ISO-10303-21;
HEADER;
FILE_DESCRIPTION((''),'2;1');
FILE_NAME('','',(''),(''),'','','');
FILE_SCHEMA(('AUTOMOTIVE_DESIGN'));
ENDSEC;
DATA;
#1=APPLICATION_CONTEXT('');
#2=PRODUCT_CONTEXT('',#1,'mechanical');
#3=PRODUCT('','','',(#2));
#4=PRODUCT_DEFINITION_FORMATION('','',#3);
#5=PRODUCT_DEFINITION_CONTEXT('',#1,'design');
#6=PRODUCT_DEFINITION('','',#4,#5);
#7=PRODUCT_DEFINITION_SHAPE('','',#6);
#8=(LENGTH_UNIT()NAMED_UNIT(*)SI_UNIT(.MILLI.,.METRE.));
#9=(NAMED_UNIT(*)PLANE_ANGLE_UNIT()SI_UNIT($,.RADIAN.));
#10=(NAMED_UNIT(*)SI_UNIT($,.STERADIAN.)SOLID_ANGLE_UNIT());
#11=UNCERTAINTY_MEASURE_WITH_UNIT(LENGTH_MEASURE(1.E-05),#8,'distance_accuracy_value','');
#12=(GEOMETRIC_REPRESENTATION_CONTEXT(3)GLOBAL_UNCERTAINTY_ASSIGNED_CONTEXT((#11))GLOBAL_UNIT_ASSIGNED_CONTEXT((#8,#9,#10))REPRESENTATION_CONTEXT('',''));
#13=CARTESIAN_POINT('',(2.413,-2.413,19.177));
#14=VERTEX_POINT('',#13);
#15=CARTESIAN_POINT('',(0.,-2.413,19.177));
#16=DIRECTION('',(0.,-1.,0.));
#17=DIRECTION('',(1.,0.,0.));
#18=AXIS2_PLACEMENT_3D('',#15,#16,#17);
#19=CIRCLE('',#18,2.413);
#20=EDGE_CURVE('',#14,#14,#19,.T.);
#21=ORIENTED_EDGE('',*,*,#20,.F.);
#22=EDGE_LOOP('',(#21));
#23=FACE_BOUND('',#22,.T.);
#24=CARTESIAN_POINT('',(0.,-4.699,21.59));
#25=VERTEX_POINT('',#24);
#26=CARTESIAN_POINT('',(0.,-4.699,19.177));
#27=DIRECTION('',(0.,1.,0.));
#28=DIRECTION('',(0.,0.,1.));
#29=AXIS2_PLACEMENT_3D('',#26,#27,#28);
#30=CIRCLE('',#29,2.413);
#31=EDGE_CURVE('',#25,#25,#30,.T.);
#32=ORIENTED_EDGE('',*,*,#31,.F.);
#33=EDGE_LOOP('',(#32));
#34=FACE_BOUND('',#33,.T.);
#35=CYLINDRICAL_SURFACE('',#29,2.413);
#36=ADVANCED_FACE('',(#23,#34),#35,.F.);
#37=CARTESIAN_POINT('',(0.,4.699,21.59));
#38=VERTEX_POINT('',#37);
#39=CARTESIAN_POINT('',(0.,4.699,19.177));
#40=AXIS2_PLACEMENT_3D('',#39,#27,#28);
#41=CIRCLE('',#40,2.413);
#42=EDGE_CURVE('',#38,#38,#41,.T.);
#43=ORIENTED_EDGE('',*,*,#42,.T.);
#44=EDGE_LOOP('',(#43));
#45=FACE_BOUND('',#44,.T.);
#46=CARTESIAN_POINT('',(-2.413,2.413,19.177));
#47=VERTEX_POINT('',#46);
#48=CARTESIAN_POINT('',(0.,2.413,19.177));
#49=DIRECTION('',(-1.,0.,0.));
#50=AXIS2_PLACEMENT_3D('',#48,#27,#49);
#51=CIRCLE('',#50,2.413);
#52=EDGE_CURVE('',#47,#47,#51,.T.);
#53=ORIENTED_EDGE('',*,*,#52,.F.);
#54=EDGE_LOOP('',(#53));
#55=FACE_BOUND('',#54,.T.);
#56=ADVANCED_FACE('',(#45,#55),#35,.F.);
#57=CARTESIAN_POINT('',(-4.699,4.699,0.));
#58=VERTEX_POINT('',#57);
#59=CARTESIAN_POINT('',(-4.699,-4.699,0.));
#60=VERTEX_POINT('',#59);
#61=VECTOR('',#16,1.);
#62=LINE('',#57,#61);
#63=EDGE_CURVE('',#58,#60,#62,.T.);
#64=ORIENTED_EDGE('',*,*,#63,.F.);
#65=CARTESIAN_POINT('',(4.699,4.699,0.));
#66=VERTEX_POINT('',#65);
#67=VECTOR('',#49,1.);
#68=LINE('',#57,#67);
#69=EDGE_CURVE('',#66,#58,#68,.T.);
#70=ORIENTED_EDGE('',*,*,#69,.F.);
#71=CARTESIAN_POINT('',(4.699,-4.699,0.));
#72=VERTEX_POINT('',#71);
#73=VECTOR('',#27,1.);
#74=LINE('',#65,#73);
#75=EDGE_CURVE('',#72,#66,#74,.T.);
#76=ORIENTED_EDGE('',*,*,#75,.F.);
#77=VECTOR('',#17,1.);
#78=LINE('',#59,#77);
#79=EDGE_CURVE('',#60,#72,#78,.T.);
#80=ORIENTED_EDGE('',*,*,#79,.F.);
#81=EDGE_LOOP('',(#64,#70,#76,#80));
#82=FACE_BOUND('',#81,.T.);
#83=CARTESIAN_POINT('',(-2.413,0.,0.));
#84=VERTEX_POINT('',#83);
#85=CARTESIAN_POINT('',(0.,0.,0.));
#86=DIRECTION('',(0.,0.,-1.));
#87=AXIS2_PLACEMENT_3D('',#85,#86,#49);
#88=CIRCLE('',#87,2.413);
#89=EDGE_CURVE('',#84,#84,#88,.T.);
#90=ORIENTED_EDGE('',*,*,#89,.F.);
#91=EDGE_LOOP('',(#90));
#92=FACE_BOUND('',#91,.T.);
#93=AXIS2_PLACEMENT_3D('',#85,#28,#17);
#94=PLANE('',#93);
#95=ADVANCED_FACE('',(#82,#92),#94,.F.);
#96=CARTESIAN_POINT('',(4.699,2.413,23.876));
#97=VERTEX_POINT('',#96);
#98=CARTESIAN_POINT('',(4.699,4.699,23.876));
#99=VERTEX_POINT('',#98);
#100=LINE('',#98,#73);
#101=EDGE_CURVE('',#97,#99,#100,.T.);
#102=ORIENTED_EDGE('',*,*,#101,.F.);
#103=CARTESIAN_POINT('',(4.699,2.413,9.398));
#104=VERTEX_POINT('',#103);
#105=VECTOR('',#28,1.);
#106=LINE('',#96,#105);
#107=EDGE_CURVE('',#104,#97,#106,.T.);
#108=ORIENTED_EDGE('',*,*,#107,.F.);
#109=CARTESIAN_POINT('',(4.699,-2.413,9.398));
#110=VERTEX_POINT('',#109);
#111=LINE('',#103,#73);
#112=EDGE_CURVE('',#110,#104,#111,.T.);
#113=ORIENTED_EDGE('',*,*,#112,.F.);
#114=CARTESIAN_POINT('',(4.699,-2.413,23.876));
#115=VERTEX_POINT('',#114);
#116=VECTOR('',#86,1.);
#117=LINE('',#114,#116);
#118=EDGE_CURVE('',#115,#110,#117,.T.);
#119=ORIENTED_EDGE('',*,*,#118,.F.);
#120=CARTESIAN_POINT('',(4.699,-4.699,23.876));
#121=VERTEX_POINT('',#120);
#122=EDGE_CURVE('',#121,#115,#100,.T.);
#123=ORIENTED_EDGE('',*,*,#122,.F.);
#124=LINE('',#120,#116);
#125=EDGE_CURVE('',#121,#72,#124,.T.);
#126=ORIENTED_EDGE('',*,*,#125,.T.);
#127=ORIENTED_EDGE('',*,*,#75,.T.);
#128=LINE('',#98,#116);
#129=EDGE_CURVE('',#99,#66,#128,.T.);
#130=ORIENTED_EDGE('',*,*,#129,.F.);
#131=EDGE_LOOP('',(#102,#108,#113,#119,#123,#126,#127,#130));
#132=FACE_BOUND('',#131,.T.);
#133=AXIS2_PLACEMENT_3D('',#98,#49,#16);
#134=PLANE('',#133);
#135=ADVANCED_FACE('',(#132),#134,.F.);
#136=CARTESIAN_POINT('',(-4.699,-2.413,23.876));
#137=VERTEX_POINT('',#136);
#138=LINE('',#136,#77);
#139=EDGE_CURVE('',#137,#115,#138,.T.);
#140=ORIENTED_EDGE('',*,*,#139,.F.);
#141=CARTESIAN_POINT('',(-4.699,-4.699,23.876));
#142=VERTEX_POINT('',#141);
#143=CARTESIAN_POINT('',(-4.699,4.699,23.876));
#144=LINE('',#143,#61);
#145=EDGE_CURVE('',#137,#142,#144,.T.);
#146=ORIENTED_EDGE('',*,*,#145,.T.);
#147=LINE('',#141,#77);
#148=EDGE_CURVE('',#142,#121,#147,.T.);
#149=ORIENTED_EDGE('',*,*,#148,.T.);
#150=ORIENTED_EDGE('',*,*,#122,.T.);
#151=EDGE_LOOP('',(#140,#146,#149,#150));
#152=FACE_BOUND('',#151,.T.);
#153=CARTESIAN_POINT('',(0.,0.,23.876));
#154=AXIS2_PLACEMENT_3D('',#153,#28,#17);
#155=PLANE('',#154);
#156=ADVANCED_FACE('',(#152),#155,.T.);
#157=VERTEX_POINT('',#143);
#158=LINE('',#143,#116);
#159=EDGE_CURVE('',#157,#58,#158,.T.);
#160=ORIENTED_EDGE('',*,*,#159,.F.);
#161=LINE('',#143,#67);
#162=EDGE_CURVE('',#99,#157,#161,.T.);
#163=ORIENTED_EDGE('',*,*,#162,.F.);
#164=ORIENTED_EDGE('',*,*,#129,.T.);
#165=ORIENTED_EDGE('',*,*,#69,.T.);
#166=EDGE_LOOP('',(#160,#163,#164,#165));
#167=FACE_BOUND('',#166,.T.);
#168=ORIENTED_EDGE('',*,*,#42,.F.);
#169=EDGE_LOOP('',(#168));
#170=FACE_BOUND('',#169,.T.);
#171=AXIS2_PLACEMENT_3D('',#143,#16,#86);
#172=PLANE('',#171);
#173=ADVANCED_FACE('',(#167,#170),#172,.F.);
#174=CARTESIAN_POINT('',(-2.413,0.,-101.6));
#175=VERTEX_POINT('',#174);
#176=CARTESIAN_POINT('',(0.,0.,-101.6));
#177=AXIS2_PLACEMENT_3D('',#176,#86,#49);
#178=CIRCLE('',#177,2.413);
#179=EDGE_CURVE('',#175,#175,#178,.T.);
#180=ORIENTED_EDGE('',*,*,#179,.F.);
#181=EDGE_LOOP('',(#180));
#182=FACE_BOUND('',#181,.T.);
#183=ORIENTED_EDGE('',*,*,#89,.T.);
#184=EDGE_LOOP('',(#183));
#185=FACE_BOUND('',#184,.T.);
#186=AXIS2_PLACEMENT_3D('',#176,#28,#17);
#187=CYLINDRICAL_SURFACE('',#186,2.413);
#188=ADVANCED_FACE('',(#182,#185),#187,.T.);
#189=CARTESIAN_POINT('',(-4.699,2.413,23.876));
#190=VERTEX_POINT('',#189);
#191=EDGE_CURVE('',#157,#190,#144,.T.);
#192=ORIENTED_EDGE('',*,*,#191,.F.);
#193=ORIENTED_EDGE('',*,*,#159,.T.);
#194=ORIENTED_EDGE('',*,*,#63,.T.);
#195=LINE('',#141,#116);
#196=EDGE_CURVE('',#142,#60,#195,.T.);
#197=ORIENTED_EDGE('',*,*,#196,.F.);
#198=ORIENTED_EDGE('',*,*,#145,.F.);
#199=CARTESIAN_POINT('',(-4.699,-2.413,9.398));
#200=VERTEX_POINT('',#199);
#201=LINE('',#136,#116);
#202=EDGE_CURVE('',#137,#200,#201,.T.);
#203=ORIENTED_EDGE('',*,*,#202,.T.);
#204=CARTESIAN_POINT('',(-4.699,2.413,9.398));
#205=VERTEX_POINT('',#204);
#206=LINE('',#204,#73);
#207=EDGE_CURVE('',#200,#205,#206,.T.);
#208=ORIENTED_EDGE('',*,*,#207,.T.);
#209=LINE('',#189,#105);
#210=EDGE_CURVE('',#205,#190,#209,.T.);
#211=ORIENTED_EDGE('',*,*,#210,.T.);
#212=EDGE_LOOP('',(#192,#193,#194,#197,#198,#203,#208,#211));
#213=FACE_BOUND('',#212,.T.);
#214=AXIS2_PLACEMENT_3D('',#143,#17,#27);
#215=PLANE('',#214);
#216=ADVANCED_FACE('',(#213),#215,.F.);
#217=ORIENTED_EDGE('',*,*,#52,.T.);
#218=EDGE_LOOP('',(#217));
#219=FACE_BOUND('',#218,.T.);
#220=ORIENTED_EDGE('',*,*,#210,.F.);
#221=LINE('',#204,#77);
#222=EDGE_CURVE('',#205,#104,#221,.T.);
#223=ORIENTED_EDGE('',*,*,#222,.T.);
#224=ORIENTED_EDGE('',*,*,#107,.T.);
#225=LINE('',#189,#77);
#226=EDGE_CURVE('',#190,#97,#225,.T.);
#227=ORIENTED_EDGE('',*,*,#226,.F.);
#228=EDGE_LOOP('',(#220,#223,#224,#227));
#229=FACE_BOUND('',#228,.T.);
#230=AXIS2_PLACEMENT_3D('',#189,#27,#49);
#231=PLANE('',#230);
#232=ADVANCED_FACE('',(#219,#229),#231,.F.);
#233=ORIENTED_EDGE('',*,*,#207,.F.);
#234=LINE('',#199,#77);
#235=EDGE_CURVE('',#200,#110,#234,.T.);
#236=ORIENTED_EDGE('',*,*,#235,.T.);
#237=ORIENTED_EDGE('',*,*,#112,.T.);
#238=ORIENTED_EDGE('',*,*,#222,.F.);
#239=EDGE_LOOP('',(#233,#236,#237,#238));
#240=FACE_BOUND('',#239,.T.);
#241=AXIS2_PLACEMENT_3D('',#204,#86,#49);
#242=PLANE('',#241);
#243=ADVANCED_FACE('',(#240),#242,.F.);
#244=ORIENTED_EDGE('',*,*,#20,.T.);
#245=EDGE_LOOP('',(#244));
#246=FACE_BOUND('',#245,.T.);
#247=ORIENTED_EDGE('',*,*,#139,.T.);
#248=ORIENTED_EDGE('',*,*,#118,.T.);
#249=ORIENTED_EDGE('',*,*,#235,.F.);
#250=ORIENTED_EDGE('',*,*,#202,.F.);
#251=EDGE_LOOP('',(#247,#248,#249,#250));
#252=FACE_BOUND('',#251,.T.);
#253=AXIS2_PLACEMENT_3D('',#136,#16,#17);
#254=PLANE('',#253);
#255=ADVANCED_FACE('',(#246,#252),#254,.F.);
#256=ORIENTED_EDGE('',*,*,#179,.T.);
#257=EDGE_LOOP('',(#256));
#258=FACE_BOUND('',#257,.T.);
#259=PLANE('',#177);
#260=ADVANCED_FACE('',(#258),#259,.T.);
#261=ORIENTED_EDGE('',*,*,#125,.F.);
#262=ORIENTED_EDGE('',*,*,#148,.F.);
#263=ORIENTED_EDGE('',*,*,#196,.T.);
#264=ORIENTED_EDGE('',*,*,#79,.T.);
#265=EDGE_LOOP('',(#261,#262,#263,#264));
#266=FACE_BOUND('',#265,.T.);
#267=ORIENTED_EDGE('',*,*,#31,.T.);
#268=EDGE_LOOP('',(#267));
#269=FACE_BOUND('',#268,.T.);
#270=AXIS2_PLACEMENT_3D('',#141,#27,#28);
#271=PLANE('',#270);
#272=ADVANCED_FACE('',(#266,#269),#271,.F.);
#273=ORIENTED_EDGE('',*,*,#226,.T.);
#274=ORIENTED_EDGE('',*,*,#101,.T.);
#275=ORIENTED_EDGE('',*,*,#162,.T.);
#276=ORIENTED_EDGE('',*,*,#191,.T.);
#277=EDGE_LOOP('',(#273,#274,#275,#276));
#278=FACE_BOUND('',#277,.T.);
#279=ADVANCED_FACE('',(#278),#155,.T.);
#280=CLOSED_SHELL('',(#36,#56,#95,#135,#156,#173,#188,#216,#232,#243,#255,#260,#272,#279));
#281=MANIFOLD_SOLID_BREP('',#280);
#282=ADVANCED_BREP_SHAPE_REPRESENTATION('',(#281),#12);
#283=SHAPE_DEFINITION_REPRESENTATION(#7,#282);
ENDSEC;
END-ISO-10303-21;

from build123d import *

# Parameters (mm, degrees)
SKETCH1_W           = 9.398
SKETCH1_H           = 9.398
BOSS_EXTRUDE1_DEPTH = 23.876
SKETCH2_W           = 14.478
SKETCH2_H           = 4.826
CUT_EXTRUDE1_DEPTH  = 10.398
SKETCH3_R           = 2.413
CUT_EXTRUDE2_DEPTH  = 10.398
SKETCH4_R           = 2.413
BOSS_EXTRUDE2_DEPTH = 101.6


with BuildPart() as part:
    # Sketch1 → Boss-Extrude1 (new body)
    with BuildSketch(Plane.XY):
        Rectangle(SKETCH1_W, SKETCH1_H)
    extrude(amount=BOSS_EXTRUDE1_DEPTH)

    # Sketch2 → Cut-Extrude1 (cut, through all)
    with BuildSketch(Plane(origin=(4.699, 0, 0), x_dir=(0, 0, -1), z_dir=(1, 0, 0))):
        with Locations((-16.637, 0)):
            Rectangle(SKETCH2_W, SKETCH2_H)
    extrude(amount=-CUT_EXTRUDE1_DEPTH, mode=Mode.SUBTRACT)

    # Sketch3 → Cut-Extrude2 (cut, through all)
    with BuildSketch(Plane(origin=(0, 4.699, 0), x_dir=(1, 0, 0), z_dir=(0, 1, 0))):
        with Locations((0, -19.177)):
            Circle(SKETCH3_R)
    extrude(amount=-CUT_EXTRUDE2_DEPTH, mode=Mode.SUBTRACT)

    # Sketch4 → Boss-Extrude2 (add)
    with BuildSketch(Plane(origin=(0, 0, 0), x_dir=(-1, 0, 0), z_dir=(0, 0, -1))):
        Circle(SKETCH4_R)
    extrude(amount=BOSS_EXTRUDE2_DEPTH)


solid = part.part
